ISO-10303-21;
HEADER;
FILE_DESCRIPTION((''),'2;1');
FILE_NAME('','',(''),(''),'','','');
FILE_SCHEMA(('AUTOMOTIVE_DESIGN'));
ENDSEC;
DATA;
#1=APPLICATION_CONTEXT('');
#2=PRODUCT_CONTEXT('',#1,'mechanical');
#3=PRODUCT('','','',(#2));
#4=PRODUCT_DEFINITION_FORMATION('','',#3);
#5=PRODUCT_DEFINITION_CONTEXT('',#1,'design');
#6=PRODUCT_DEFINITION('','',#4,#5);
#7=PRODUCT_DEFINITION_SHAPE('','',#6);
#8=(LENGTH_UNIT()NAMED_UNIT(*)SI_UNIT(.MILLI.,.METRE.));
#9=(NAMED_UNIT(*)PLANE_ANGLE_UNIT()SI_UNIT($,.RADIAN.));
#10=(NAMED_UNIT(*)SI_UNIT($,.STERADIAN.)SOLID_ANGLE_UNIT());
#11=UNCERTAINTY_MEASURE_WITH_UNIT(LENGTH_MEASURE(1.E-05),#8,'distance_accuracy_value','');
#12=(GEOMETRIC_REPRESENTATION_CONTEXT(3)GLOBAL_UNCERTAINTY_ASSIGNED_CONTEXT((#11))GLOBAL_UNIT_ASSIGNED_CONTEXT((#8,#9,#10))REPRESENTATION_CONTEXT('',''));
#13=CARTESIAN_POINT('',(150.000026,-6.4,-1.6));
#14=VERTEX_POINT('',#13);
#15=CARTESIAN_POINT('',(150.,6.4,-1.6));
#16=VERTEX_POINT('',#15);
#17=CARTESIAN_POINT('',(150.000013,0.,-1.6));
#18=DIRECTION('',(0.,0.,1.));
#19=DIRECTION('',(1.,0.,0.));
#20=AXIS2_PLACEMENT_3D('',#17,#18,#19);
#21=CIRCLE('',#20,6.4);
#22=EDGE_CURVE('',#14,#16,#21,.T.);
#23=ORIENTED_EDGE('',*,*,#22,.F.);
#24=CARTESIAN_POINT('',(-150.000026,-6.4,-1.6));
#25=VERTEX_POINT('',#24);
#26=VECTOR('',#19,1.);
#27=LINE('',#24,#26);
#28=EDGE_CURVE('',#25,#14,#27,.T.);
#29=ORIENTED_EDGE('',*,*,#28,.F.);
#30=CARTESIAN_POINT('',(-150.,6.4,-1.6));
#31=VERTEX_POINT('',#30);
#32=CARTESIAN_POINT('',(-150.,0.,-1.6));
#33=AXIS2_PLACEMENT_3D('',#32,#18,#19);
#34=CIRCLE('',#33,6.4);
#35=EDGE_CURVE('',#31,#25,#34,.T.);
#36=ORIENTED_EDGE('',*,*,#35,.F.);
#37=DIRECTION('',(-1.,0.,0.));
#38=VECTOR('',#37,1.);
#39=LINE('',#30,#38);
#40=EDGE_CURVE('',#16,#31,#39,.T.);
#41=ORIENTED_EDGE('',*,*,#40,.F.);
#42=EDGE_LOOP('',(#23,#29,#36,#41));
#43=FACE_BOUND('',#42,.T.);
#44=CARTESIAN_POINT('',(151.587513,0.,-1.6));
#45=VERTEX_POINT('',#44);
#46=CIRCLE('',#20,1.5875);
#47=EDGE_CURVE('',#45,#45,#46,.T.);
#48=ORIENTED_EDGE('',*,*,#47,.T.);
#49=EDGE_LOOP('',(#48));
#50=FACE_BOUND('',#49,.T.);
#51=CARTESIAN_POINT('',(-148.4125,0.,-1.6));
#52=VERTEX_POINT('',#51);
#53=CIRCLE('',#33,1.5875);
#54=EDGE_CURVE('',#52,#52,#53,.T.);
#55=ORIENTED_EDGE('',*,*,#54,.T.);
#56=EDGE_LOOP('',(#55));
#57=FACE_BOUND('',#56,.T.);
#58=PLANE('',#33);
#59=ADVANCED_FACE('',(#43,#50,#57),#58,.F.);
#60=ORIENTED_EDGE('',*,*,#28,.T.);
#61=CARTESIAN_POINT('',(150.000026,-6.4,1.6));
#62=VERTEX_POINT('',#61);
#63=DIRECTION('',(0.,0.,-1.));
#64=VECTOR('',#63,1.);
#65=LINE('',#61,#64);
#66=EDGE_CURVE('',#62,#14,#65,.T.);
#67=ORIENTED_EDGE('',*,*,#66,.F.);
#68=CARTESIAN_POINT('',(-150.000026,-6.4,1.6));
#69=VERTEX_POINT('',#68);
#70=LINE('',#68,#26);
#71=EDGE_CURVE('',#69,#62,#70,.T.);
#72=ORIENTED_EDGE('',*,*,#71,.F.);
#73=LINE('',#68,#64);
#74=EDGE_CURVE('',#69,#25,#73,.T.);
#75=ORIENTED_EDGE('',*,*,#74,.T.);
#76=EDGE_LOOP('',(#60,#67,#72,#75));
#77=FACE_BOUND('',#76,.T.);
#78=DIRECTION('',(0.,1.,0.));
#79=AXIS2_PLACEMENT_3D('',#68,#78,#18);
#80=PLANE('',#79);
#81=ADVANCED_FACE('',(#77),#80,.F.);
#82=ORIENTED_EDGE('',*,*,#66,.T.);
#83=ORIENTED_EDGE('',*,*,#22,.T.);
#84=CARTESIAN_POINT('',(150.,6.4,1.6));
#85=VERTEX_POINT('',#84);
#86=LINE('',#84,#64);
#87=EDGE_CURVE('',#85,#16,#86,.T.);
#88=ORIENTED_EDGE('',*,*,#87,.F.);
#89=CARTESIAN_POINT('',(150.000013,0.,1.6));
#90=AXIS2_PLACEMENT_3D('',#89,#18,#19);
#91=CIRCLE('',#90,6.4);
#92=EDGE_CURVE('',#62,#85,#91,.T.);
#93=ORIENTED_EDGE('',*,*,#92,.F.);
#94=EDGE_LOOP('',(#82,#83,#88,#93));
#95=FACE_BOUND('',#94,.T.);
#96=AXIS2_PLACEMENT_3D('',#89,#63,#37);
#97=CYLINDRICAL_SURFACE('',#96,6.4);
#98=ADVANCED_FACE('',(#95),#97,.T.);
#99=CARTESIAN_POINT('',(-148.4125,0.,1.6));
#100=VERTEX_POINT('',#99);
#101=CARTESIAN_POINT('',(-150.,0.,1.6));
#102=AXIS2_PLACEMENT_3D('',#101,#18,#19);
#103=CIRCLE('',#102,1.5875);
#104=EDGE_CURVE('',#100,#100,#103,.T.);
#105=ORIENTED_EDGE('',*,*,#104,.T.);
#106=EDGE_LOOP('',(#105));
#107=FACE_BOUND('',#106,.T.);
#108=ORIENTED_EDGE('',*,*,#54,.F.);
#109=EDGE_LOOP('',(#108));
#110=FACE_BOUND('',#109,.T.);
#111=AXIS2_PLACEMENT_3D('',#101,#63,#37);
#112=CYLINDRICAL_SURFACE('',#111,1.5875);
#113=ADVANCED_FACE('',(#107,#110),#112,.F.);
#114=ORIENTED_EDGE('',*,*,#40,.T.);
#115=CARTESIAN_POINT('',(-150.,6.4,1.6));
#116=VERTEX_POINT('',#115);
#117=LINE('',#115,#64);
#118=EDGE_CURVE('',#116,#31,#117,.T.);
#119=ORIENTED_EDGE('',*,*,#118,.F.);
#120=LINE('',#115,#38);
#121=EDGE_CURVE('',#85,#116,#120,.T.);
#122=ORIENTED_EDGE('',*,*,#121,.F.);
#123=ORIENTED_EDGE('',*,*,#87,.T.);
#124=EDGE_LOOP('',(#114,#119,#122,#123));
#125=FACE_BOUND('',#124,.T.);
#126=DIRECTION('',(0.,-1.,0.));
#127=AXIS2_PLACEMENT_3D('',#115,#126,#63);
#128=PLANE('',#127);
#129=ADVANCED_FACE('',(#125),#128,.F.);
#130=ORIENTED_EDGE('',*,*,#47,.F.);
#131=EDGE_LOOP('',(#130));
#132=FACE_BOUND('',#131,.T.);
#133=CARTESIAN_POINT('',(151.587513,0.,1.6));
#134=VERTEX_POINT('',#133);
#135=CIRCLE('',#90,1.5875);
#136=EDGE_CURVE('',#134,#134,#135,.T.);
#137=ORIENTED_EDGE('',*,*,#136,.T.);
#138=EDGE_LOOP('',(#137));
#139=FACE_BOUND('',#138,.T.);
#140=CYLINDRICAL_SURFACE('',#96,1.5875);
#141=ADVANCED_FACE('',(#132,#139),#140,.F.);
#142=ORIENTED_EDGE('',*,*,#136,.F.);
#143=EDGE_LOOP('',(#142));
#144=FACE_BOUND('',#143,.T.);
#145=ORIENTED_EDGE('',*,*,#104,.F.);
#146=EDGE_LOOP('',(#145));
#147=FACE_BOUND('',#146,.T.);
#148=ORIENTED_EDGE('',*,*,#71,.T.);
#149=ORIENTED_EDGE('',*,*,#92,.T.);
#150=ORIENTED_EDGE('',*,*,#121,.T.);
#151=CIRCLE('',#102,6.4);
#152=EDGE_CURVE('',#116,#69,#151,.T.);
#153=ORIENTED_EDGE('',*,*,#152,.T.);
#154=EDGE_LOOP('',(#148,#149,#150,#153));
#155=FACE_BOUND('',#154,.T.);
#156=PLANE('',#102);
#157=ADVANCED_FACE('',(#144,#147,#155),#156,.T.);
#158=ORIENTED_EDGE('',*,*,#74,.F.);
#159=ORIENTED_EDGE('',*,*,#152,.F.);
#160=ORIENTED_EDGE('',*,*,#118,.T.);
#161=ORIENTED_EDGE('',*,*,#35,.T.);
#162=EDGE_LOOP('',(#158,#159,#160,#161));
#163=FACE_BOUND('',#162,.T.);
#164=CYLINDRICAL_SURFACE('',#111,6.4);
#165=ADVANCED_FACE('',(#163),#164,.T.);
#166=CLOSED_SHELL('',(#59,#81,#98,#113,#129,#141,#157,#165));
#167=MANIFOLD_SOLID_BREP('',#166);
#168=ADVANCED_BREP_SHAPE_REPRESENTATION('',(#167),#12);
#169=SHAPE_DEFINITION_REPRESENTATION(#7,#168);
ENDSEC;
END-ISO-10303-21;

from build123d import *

# Parameters (mm, degrees)
SKETCH1_R           = 1.5875
BOSS_EXTRUDE2_DEPTH = 1.6


with BuildPart() as part:
    # Sketch1 → Boss-Extrude2 (new, symmetric)
    with BuildSketch(Plane.XY):
        with BuildLine():
            Line((-150, 6.4), (150, 6.4))
            ThreePointArc((150, 6.4), (156.40001304, 1.3039e-05), (150.000026079, -6.4))
            Line((150.000026079, -6.4), (-150.000026079, -6.4))
            ThreePointArc((-150.000026079, -6.4), (-156.4, 1.3039e-05), (-150, 6.4))
        make_face()
        with Locations((-150, 0)):
            Circle(SKETCH1_R, mode=Mode.SUBTRACT)
        with Locations((150.00001304, 0)):
            Circle(SKETCH1_R, mode=Mode.SUBTRACT)
    extrude(amount=BOSS_EXTRUDE2_DEPTH, both=True)


solid = part.part
